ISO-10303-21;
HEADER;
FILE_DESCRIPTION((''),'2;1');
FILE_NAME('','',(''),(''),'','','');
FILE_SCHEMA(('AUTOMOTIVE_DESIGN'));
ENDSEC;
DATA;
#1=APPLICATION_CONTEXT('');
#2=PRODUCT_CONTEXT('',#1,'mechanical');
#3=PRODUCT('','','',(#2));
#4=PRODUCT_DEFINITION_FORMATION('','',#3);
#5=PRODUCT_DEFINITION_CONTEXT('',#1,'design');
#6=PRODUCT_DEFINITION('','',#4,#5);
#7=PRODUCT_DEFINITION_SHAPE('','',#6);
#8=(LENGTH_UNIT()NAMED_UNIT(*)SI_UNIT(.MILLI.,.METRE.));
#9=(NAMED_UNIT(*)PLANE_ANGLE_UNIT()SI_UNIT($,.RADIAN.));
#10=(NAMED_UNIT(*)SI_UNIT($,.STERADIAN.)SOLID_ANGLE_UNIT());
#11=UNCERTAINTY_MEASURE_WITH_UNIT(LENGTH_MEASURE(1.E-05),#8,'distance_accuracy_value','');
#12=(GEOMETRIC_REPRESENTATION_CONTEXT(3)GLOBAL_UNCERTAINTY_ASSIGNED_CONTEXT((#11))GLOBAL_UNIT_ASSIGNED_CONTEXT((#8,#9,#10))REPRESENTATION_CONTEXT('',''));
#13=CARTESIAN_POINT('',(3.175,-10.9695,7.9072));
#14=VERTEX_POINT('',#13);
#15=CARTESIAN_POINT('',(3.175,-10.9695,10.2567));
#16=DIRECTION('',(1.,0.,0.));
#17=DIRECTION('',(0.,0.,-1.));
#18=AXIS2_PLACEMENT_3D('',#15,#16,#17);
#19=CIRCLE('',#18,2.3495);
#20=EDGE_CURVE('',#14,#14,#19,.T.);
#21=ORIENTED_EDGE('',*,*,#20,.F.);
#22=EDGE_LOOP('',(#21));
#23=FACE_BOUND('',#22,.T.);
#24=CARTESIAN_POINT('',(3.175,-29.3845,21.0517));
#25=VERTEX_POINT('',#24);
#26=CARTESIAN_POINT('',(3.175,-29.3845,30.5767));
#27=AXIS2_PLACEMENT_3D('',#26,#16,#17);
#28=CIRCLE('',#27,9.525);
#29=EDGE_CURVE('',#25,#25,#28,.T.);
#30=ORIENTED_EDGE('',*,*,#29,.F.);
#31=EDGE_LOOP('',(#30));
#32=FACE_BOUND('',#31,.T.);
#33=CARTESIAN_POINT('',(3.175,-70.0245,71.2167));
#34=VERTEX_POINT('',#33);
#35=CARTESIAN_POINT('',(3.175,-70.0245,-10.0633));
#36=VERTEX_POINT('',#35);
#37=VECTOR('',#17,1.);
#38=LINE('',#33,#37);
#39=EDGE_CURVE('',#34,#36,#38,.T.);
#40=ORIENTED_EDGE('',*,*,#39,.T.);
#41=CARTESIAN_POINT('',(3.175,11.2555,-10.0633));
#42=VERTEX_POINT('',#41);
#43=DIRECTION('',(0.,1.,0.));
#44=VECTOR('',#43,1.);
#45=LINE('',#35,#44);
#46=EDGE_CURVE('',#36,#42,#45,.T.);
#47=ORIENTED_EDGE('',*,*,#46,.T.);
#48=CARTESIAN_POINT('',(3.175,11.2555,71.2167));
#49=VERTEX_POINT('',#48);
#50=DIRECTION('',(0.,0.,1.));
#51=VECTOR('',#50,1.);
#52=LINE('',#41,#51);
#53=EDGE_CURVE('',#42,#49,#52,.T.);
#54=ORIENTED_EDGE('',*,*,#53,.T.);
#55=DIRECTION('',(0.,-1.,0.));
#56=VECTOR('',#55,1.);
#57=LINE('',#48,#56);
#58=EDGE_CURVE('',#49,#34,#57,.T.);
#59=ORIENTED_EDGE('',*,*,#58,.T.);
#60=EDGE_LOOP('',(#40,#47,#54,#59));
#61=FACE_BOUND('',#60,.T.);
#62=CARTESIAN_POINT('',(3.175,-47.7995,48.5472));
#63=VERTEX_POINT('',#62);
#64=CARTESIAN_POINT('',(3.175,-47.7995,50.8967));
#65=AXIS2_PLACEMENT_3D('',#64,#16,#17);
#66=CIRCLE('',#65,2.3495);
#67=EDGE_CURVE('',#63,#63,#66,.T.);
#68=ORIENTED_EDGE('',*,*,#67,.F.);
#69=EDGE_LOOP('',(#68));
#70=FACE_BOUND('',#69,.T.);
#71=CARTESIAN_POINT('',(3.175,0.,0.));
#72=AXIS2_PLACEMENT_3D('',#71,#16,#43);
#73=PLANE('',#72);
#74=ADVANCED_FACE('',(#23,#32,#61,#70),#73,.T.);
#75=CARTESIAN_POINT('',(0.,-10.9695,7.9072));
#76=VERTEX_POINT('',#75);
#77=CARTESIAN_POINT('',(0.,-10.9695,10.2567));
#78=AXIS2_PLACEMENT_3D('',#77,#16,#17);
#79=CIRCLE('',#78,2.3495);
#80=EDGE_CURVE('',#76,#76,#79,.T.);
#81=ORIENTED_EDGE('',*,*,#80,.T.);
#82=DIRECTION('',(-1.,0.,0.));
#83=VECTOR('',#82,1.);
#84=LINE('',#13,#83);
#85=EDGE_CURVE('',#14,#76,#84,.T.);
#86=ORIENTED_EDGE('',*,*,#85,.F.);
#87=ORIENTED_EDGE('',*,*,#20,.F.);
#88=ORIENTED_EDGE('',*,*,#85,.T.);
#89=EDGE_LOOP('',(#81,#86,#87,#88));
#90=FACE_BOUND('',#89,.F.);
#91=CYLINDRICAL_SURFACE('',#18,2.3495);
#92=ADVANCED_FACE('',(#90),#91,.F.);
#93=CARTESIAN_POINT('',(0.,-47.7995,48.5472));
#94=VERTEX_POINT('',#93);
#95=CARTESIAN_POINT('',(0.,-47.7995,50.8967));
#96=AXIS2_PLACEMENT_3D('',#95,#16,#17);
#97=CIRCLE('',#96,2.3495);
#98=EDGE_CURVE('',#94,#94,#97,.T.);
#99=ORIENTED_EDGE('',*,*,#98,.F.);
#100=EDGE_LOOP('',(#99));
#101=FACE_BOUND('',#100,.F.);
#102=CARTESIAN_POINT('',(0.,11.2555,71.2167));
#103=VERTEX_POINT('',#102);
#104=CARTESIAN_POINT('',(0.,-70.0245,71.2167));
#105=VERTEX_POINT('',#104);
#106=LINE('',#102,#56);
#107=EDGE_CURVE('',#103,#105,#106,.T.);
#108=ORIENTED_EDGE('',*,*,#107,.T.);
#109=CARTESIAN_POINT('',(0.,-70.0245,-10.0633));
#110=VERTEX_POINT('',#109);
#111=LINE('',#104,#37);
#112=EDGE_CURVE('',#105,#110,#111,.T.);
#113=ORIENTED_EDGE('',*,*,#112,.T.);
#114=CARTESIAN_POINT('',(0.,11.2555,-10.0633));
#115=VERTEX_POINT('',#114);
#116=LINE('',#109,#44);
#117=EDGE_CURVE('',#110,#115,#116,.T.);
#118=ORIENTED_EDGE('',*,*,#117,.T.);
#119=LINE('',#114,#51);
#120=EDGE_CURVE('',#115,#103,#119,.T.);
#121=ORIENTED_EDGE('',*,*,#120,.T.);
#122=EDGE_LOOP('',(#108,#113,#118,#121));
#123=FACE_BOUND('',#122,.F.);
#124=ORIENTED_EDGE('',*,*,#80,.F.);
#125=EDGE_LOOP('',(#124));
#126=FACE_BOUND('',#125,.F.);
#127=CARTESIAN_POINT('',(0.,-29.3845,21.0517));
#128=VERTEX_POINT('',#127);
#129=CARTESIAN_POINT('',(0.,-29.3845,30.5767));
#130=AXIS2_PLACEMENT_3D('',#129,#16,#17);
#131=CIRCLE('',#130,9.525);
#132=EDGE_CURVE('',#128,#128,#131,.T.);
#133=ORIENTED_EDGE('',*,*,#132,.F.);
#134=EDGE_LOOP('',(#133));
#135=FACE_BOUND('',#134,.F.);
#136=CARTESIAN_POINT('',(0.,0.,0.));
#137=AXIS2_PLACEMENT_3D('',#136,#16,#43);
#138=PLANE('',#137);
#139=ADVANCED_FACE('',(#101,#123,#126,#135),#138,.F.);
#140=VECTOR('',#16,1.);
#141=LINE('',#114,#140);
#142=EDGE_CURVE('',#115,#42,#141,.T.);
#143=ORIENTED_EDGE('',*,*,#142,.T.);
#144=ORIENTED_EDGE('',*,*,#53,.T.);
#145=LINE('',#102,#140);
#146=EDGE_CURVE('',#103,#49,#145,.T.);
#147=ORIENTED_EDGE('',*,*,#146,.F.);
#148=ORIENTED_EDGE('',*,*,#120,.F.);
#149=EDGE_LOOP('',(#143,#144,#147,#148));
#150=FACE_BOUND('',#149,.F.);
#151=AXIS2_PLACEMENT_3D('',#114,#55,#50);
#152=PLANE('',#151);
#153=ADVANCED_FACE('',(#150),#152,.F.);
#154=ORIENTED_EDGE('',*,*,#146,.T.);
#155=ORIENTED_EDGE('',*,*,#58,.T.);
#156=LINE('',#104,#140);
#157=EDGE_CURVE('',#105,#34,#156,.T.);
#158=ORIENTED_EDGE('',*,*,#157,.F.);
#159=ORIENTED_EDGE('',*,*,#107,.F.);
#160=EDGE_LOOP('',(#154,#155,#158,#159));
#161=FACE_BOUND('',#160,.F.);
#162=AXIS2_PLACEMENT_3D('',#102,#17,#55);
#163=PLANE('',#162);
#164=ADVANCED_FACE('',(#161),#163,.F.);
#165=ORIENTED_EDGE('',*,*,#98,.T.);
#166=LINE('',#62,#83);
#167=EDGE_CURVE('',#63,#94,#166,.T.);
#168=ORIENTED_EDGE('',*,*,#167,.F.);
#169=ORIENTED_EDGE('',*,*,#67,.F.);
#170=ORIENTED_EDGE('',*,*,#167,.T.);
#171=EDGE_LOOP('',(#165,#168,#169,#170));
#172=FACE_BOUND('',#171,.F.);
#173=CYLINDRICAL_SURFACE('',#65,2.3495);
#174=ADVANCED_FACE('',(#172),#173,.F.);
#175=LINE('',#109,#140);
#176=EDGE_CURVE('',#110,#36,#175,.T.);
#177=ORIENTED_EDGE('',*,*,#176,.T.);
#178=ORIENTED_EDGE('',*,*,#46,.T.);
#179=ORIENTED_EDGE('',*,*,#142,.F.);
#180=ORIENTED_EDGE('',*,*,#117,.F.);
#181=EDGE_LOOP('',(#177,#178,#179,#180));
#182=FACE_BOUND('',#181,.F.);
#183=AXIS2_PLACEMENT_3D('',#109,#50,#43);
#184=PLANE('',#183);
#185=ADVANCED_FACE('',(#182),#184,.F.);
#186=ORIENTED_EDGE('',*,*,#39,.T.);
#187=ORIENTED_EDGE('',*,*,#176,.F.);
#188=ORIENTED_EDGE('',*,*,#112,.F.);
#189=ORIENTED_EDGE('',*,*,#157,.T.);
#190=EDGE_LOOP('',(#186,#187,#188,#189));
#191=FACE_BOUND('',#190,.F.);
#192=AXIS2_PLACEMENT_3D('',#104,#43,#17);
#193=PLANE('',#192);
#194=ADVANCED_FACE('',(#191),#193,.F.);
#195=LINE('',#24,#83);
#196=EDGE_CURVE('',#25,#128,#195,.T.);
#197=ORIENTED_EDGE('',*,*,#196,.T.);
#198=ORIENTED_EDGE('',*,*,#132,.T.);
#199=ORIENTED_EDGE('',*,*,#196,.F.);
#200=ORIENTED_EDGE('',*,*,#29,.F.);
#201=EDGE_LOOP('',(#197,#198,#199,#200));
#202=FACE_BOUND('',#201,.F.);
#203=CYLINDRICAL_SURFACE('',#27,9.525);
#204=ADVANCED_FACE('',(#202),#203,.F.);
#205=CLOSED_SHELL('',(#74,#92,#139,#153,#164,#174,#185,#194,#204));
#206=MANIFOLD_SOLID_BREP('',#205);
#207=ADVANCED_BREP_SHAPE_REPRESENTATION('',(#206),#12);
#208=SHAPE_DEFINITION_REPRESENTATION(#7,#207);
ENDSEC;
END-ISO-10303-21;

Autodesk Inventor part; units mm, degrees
ref_plane "YZ Plane" through (0, 0, 0) normal (1, 0, 0) x (0, 1, 0)
ref_plane "XZ Plane" through (0, 0, 0) normal (0, 1, 0) x (-1, 0, 0)
ref_plane "XY Plane" through (0, 0, 0) normal (0, 0, 1) x (1, 0, 0)
sketch "Sketch1" plane through (0, 0, 0) normal (1, 0, 0) x (0, 1, 0)
  line L0 (11.2555, 71.2167) -> (-70.0245, 71.2167)
  line L1 (-70.0245, 71.2167) -> (-70.0245, -10.0633)
  line L2 (-70.0245, -10.0633) -> (11.2555, -10.0633)
  line L3 (11.2555, -10.0633) -> (11.2555, 71.2167)
  point P0 (0, 0)
  dimension "d0" = 81.28
  dimension "d1" = 81.28
extrude "Extrusion1" add sketch "Sketch1" along normal blind 3.175
sketch "Sketch2" plane through (3.175, 0, 0) normal (1, 0, 0) x (0, 0, -1)
  circle A0 centre (-30.5767, -29.3845) radius 9.525
  line L0 (10.0633, 11.2555) -> (-71.2167, 11.2555) projected
  line L1 (-71.2167, 11.2555) -> (-71.2167, -70.0245) projected
  circle A1 centre (-10.2567, -10.9695) radius 2.3495
  circle A2 centre (-50.8967, -47.7995) radius 2.3495
  line L2 (-71.2167, -70.0245) -> (10.0633, -70.0245) projected
  line L3 (10.0633, -70.0245) -> (10.0633, 11.2555) projected
  point P0 (0, 0)
  dimension "d4" = 19.05
  dimension "d5" = 40.64
  dimension "d6" = 40.64
  dimension "d9" = 4.699
  dimension "d10" = 4.699
  dimension "d11" = 20.32
  dimension "d12" = 22.225
  dimension "d13" = 22.225
  dimension "d14" = 20.32
extrude "Extrusion2" cut sketch "Sketch2" against normal blind 3.175 contours A0 | A1 | A2
properties part number "Guard Plate"
